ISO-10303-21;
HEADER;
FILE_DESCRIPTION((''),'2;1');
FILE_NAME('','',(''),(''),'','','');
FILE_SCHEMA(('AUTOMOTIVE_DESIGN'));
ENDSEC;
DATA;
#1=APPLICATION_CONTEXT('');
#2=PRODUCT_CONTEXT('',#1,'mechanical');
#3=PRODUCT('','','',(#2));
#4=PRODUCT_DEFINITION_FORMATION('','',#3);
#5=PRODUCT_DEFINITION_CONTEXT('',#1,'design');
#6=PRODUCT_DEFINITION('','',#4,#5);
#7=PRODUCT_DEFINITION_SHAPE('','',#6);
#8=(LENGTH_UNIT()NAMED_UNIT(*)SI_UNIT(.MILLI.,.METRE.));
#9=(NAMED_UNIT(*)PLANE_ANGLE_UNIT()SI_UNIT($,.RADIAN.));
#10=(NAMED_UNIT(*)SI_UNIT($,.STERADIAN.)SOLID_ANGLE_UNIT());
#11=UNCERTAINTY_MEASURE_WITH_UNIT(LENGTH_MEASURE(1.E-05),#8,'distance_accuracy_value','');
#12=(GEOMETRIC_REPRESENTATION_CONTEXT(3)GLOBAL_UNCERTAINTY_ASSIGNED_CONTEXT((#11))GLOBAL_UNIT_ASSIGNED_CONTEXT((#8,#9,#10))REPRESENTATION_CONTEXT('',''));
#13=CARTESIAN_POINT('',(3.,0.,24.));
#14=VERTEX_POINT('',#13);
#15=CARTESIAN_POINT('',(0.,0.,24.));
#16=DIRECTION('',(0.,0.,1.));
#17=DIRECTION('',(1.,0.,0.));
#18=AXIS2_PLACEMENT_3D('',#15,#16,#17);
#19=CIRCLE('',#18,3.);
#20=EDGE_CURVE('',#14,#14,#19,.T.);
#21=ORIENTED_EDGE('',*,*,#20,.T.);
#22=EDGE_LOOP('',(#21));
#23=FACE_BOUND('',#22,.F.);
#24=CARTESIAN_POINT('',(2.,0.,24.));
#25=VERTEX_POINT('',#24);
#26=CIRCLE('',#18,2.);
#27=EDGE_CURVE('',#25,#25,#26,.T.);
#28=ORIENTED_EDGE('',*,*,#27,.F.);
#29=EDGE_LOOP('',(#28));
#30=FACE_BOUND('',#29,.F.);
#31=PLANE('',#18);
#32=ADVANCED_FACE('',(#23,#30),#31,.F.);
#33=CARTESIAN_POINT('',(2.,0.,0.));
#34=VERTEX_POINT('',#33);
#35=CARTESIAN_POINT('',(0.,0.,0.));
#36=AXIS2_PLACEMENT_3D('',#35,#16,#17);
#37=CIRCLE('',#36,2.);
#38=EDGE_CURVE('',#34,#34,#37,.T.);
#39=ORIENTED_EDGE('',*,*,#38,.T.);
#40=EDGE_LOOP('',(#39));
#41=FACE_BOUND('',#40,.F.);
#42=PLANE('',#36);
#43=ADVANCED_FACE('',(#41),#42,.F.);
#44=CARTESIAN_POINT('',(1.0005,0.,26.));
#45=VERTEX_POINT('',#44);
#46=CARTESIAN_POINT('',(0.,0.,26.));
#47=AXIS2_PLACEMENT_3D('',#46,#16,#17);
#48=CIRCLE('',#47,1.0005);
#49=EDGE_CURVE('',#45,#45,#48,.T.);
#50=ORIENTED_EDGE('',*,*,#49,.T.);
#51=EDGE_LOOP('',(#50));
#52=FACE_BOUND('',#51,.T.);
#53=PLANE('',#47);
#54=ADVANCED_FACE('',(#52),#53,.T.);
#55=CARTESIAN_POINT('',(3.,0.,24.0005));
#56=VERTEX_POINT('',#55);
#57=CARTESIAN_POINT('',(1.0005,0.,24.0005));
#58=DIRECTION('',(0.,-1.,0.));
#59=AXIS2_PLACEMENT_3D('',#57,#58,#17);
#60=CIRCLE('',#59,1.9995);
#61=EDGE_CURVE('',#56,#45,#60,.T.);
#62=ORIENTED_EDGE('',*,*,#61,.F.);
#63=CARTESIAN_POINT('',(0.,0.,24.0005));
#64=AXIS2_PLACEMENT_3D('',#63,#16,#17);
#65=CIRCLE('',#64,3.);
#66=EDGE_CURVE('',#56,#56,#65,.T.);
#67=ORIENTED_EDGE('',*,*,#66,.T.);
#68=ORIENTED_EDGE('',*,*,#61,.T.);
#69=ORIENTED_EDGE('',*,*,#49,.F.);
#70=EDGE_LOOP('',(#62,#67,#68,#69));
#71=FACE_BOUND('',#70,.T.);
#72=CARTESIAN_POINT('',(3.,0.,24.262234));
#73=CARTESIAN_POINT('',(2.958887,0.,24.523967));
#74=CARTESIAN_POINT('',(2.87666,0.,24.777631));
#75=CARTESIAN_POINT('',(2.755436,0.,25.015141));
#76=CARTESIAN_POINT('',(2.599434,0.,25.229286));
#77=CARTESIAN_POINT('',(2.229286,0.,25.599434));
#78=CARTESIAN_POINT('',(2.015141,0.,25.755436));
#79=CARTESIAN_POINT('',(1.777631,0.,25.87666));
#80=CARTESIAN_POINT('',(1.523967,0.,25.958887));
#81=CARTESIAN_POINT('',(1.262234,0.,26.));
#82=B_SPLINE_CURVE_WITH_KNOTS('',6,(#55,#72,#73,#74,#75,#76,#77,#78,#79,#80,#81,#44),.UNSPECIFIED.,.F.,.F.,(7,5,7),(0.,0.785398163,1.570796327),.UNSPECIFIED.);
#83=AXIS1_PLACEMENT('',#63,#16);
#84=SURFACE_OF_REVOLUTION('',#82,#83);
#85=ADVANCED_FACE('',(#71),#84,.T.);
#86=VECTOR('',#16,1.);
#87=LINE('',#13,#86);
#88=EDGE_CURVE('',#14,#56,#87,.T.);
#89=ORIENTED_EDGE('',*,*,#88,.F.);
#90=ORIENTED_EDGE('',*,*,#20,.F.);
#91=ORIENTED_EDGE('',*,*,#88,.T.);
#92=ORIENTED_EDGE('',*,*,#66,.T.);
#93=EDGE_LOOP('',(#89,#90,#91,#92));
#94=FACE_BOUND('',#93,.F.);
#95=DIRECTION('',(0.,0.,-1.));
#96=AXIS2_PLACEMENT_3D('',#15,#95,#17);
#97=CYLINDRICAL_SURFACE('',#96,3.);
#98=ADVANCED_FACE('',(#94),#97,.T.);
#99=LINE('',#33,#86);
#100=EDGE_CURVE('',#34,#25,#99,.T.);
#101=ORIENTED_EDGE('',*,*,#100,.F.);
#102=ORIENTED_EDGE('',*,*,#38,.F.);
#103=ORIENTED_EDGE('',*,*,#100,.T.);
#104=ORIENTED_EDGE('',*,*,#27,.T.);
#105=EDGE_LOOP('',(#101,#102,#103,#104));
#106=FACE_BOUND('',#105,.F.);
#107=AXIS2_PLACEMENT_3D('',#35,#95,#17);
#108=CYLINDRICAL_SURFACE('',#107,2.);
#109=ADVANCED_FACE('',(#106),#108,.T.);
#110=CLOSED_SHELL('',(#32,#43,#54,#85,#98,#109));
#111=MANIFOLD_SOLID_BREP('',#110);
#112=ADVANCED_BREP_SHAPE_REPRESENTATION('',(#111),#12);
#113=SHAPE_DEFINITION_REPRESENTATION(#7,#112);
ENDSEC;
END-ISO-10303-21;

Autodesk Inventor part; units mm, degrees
ref_plane "YZ Plane" through (0, 0, 0) normal (1, 0, 0) x (0, 1, 0)
ref_plane "XZ Plane" through (0, 0, 0) normal (0, 1, 0) x (-1, 0, 0)
ref_plane "XY Plane" through (0, 0, 0) normal (0, 0, 1) x (1, 0, 0)
sketch "スケッチ1" plane through (0, 0, 0) normal (0, 0, 1) x (1, 0, 0)
  circle A0 centre (0, 0) radius 2
  dimension "d0" = 4
extrude "押し出し1" add sketch "スケッチ1" along normal blind 24
sketch "スケッチ2" plane through (0, 0, 24) normal (0, 0, 1) x (1, 0, 0)
  circle A0 centre (0, 0) radius 2 projected
  circle A1 centre (0, 0) radius 3
  dimension "d3" = 6
extrude "押し出し2" add sketch "スケッチ2" along normal blind 2 contours A0 | A1
fillet "フィレット1" radius 2 1 edges at (-3, 0, 26)
properties part number "M4ボタンボルト24" material "鋼、高強度、低合金"
